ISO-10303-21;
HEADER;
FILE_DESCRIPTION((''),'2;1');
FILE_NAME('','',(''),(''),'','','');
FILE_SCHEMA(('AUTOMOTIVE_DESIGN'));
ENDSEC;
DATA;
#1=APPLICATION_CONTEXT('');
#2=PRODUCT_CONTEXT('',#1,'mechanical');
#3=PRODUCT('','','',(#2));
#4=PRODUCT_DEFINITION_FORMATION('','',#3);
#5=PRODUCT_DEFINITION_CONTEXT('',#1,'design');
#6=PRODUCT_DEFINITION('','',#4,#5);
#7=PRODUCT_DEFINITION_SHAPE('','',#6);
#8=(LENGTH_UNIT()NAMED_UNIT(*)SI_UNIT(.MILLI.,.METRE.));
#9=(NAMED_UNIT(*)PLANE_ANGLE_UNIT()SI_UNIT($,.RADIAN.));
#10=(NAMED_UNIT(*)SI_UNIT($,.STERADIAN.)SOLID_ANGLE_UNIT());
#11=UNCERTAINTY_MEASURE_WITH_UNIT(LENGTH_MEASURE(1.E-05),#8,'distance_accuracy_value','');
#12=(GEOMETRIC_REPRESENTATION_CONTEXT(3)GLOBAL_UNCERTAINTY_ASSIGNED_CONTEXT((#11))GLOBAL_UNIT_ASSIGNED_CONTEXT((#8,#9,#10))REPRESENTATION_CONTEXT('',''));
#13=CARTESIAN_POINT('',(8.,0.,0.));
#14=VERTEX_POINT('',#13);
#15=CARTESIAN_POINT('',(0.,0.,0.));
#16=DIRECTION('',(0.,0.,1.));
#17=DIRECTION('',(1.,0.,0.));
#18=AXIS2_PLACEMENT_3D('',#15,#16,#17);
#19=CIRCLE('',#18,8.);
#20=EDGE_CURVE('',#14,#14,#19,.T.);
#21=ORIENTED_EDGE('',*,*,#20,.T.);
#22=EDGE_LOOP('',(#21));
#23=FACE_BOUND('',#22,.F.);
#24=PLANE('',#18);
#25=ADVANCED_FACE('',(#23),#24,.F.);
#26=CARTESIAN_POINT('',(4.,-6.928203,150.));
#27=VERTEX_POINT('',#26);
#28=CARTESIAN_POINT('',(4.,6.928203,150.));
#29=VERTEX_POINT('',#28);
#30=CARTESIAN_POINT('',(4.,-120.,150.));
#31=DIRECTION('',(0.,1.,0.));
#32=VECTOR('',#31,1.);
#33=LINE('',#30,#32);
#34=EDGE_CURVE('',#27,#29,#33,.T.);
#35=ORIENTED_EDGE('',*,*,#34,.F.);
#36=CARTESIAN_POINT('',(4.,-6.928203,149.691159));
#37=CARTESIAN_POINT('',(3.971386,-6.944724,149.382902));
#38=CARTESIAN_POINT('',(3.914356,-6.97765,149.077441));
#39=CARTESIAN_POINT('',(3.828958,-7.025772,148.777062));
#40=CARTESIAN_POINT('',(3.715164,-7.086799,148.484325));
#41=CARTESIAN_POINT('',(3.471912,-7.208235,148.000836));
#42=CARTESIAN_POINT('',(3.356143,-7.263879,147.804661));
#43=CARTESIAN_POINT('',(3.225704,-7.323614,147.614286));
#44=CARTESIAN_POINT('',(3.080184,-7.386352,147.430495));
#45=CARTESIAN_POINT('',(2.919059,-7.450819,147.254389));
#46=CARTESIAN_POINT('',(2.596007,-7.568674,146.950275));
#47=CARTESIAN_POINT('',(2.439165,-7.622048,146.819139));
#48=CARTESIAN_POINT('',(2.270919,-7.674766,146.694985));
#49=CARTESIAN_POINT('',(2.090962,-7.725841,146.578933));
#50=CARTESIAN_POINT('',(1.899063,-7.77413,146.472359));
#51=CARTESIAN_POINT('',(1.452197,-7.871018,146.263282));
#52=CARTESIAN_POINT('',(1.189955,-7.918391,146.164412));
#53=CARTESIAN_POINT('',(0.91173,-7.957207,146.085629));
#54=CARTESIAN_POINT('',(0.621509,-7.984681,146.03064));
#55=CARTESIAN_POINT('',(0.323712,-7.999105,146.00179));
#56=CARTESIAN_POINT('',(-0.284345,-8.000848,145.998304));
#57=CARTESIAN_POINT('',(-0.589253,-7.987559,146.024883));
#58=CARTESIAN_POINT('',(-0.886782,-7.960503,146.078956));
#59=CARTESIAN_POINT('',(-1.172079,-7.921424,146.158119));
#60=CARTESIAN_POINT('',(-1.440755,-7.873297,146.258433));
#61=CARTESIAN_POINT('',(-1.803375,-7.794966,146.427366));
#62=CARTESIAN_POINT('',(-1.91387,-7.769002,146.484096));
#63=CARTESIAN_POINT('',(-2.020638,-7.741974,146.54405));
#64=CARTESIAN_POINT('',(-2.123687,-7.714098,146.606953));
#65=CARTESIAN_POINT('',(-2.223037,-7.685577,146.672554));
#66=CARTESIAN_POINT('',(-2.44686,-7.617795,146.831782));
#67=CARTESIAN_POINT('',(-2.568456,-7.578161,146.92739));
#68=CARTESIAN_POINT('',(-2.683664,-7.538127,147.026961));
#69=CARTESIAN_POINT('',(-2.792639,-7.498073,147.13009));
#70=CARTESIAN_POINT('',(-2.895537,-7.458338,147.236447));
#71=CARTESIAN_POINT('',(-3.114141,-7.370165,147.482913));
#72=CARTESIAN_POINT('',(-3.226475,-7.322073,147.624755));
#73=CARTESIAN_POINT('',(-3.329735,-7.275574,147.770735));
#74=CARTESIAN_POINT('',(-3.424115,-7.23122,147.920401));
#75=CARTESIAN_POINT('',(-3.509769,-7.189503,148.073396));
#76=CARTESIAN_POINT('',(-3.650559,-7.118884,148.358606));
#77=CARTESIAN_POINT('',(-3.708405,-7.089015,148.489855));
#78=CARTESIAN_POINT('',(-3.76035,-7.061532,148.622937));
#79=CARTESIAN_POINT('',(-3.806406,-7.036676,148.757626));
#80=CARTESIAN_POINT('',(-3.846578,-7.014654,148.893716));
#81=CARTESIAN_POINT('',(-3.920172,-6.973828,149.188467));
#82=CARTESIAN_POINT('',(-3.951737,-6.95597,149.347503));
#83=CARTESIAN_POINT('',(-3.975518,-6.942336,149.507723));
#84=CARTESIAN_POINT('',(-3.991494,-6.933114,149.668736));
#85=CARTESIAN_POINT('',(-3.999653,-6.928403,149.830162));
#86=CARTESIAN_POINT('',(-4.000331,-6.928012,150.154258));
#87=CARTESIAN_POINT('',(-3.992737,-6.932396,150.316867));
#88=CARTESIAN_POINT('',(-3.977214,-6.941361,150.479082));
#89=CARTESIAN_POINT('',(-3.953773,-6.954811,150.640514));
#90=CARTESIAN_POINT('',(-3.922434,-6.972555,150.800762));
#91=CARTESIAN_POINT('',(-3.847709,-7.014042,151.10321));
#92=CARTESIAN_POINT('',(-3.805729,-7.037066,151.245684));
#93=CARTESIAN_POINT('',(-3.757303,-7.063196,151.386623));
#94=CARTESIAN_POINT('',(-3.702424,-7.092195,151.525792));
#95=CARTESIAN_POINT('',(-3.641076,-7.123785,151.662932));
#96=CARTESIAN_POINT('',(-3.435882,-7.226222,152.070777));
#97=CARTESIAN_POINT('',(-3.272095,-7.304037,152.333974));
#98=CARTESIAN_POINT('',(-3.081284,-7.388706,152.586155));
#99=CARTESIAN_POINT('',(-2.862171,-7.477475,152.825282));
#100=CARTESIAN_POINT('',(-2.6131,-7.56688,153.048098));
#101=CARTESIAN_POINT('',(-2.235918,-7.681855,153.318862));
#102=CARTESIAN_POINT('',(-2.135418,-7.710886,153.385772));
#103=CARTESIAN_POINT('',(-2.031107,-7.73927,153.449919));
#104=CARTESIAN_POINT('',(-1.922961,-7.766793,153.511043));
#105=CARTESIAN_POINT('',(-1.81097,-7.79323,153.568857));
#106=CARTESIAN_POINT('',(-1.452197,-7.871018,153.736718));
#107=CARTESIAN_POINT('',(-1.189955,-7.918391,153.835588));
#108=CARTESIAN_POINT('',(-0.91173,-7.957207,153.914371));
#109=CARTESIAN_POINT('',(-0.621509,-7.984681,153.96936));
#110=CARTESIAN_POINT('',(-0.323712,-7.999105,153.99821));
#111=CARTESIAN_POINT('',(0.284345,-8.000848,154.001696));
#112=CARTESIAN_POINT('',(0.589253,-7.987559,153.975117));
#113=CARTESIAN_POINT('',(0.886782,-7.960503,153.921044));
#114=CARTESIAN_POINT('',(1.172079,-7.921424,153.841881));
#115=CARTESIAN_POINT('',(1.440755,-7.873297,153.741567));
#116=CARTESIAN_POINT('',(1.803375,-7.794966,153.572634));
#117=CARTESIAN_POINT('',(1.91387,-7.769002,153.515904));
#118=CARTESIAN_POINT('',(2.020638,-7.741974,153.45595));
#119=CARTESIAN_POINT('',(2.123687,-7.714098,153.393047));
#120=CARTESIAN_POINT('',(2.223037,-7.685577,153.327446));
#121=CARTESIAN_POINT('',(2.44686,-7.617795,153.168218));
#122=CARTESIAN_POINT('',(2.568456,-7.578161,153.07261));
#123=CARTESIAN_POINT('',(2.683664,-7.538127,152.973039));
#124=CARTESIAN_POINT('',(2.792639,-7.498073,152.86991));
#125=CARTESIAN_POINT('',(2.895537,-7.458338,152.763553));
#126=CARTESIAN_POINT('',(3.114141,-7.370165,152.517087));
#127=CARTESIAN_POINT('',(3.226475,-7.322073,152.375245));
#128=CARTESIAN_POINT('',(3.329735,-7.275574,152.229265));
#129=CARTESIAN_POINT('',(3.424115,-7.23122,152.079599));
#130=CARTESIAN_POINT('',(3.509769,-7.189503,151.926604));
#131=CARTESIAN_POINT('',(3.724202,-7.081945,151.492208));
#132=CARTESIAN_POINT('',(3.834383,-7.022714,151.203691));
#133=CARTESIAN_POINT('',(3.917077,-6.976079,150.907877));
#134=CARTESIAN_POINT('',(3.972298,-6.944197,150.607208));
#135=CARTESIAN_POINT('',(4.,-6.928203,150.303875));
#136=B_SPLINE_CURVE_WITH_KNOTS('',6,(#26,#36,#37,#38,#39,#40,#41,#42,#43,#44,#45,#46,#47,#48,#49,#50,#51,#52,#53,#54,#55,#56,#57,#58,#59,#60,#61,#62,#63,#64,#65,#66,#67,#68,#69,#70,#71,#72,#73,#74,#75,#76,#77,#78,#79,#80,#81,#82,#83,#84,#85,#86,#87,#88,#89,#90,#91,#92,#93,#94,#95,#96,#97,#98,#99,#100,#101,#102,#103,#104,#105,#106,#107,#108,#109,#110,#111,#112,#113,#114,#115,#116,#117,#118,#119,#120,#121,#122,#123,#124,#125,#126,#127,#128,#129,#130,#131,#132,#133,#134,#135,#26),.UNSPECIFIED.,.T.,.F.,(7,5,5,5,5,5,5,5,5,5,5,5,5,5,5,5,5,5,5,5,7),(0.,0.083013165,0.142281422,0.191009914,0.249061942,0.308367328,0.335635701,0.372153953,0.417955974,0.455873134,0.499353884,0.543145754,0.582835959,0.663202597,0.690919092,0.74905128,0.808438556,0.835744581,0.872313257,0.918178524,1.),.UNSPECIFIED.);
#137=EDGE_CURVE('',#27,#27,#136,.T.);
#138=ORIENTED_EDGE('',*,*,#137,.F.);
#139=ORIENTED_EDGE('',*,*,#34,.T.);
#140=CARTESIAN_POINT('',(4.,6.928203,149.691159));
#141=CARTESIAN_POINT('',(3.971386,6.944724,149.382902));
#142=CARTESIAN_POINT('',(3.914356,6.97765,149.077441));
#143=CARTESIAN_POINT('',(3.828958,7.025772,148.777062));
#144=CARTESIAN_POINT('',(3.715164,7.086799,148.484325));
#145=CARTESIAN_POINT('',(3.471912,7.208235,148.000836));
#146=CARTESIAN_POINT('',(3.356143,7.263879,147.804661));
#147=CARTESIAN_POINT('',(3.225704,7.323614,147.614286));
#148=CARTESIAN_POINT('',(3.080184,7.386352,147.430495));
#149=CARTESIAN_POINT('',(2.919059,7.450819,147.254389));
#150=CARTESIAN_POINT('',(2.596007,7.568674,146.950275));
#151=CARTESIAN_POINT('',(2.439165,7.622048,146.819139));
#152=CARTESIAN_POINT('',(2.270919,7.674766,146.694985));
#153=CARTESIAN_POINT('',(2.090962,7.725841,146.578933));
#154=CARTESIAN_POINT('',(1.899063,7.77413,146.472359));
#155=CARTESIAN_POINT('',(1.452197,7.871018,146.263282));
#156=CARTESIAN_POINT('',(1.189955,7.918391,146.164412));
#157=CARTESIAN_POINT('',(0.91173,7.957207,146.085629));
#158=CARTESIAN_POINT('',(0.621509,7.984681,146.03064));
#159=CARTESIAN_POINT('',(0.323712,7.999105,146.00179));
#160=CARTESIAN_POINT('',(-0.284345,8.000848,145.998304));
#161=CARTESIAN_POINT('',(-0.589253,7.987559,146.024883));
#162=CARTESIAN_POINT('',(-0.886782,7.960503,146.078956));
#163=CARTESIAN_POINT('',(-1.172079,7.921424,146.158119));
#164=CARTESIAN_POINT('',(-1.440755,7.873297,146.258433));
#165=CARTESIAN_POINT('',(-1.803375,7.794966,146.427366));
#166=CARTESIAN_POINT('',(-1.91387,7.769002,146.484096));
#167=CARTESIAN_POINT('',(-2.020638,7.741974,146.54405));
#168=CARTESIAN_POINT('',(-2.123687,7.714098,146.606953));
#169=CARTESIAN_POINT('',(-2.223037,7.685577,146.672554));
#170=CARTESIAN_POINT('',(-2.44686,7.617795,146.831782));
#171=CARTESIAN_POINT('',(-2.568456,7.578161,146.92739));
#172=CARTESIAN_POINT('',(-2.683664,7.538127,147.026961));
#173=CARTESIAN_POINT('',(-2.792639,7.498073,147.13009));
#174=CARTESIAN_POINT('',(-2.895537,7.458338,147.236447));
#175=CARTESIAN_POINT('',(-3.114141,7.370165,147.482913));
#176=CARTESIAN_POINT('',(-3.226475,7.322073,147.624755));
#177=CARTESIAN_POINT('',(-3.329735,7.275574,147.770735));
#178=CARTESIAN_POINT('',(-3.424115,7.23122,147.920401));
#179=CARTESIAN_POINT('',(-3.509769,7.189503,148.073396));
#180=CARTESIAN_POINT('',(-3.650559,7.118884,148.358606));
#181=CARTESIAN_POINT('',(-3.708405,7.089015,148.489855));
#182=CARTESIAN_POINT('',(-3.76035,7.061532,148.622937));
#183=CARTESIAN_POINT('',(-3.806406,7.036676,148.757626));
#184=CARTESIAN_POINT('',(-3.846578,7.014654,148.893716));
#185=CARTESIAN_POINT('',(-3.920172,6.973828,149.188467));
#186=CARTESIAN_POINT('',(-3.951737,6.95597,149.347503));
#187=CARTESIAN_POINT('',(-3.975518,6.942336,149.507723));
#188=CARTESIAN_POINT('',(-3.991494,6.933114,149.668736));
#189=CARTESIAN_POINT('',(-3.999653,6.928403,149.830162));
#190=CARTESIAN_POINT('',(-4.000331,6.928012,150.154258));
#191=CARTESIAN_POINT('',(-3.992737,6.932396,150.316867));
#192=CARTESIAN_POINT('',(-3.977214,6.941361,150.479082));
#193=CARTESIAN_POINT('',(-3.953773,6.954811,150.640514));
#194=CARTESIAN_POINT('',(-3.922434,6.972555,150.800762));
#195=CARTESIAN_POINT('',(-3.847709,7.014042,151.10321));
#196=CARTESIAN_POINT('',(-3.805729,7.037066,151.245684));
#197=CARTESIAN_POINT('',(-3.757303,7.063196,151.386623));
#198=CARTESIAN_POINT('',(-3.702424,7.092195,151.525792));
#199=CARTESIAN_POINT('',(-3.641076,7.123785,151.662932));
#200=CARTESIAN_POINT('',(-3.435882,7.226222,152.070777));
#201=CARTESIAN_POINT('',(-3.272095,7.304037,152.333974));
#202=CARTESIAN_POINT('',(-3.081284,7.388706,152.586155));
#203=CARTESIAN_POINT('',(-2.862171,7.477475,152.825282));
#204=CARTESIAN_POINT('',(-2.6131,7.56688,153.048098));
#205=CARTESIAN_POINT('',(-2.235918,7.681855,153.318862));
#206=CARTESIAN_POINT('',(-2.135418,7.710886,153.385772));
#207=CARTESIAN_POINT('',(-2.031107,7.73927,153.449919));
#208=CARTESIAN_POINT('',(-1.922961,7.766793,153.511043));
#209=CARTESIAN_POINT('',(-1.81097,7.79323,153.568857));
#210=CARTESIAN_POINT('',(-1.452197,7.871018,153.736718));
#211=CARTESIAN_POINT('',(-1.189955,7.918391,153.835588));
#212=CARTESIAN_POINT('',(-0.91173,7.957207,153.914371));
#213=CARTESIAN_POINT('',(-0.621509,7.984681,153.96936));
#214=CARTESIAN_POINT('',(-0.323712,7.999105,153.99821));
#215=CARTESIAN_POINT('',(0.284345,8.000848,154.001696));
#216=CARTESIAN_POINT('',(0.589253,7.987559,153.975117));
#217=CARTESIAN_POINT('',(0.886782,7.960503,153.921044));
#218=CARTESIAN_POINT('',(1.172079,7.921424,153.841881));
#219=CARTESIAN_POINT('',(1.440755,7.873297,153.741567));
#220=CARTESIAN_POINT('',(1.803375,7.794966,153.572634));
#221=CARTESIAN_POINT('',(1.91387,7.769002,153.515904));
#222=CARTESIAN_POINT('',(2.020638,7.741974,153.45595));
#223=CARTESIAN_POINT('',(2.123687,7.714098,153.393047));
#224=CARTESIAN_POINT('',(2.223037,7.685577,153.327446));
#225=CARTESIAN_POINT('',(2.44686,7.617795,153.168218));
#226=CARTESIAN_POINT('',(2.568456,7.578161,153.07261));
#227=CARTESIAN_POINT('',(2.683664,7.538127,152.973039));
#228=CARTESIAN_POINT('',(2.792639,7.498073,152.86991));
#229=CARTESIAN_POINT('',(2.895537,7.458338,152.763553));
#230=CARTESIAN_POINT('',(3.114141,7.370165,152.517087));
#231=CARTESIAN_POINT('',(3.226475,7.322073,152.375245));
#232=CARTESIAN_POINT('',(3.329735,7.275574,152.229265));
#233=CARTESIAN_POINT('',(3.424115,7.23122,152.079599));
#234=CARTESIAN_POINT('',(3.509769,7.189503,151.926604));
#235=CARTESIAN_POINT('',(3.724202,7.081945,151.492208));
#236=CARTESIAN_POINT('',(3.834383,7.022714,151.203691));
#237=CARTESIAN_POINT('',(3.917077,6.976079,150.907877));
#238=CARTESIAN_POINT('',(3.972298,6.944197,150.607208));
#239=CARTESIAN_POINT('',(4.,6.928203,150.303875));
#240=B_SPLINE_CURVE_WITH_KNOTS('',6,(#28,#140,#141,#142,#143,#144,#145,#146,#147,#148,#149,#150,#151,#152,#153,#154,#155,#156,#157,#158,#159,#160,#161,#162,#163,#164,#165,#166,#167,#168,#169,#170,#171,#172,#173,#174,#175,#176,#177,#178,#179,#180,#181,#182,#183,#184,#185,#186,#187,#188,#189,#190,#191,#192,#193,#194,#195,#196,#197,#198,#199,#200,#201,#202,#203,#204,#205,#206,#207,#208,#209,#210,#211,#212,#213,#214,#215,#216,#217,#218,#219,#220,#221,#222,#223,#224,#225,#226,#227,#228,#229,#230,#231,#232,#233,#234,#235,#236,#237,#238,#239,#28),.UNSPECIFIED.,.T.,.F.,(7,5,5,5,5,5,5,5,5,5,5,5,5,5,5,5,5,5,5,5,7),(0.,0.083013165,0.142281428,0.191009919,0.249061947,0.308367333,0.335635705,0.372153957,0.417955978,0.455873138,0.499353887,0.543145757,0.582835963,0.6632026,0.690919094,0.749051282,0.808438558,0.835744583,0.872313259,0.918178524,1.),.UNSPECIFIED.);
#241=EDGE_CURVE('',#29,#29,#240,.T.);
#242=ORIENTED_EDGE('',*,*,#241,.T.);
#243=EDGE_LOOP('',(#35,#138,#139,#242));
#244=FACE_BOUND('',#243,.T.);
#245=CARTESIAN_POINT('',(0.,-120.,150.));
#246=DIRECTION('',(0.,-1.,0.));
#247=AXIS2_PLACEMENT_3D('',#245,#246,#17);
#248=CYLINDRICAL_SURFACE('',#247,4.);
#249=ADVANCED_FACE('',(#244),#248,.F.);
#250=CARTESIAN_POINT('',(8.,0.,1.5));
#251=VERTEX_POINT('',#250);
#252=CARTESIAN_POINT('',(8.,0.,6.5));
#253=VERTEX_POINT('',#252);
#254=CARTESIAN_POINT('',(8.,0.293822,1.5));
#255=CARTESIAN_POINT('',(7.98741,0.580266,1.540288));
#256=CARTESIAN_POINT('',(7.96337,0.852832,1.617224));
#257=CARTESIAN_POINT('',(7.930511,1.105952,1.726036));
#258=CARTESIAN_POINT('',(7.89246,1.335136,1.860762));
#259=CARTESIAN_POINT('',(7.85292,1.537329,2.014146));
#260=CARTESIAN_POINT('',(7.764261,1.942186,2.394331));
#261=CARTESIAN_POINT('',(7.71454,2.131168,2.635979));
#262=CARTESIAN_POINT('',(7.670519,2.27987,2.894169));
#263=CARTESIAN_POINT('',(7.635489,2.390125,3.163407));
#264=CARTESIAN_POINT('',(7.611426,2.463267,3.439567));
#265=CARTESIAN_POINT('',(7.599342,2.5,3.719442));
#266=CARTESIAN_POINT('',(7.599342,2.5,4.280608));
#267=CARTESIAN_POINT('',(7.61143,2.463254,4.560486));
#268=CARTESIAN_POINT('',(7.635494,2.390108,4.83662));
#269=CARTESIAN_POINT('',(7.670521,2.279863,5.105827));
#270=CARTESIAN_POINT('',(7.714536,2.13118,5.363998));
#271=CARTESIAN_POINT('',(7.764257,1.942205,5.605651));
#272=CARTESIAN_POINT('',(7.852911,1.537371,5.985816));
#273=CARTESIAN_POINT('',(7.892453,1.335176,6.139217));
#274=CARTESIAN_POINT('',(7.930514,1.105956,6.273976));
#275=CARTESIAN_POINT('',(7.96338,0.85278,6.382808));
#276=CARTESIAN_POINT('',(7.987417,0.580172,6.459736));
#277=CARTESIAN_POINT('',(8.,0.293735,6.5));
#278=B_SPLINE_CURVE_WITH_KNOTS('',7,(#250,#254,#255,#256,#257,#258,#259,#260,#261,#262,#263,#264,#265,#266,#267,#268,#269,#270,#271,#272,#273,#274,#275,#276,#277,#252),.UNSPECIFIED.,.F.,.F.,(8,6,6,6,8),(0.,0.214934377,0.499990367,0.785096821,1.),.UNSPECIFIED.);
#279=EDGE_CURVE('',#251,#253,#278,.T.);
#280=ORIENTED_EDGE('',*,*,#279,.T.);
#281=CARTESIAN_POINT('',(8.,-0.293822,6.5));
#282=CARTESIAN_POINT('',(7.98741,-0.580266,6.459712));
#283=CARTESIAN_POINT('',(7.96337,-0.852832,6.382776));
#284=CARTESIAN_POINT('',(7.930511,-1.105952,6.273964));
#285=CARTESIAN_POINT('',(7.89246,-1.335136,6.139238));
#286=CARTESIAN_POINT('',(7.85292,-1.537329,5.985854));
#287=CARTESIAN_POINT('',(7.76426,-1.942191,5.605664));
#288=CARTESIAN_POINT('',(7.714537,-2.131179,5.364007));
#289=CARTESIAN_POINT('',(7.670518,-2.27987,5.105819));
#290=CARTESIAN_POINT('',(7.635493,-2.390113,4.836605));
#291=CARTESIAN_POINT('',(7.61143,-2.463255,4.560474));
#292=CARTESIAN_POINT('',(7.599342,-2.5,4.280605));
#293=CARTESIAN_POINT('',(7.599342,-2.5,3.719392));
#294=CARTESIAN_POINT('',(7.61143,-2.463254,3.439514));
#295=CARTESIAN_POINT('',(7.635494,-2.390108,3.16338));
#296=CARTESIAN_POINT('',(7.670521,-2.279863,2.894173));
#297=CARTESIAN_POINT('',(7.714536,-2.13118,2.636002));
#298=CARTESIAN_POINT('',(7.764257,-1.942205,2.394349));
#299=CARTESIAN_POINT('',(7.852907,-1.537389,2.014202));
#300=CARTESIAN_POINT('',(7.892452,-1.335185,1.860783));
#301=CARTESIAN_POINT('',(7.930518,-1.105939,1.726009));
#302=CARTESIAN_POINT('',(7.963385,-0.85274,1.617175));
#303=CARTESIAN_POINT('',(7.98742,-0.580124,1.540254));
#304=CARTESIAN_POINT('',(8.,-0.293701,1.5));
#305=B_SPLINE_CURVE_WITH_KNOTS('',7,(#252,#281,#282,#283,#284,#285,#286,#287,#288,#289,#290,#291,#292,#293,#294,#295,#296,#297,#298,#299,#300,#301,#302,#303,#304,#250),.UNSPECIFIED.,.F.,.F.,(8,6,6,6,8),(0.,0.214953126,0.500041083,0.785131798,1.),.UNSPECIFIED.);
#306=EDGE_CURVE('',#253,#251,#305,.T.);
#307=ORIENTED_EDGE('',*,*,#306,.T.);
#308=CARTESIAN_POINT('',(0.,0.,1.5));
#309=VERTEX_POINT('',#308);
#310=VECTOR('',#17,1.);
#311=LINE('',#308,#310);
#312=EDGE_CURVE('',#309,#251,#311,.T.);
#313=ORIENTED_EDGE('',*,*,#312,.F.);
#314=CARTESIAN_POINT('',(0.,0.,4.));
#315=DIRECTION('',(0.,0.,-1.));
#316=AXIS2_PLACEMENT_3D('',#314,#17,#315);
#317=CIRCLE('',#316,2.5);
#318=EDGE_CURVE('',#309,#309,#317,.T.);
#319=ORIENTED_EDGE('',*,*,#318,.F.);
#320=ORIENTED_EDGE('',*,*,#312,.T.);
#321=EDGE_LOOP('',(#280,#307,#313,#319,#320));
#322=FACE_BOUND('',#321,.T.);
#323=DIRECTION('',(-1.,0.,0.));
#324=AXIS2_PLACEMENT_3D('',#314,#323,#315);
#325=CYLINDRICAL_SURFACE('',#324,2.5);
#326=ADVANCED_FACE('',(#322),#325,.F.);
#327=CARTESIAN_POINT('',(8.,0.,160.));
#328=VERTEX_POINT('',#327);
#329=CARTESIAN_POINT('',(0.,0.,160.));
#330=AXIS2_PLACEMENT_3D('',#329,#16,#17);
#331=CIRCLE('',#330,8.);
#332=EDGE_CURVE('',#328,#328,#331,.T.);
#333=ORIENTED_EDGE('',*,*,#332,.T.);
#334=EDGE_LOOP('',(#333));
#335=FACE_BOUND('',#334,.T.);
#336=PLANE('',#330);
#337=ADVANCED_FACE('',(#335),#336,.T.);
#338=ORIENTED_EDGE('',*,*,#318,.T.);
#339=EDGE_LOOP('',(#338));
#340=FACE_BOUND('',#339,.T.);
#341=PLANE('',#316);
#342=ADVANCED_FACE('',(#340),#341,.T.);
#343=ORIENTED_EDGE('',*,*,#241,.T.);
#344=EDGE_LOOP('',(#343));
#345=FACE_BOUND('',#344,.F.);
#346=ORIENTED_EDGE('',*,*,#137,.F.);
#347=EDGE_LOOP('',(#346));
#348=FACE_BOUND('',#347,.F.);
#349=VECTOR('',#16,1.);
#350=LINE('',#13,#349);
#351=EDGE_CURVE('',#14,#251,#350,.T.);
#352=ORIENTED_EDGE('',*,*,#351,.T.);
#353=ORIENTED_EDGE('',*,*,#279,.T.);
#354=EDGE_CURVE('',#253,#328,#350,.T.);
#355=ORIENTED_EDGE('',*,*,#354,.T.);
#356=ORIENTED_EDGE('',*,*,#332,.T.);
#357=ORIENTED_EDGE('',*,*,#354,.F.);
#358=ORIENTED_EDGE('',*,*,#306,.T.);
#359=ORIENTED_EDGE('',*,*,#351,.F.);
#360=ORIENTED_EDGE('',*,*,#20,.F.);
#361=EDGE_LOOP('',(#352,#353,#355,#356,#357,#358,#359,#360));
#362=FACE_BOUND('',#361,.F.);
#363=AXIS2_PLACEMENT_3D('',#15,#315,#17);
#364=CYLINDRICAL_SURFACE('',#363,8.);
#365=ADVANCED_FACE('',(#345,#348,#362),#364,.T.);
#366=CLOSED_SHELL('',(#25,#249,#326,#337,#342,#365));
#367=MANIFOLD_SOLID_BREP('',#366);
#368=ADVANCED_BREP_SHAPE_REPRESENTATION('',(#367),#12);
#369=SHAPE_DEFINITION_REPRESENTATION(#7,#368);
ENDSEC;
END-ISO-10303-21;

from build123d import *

# Parameters (mm, degrees)
SKETCH_1_R               = 8
EXTRUDE_1_DEPTH          = 160
CUT_EXTRUDE_1_DEPTH      = 120
CUT_EXTRUDE_1_DEPTH_BACK = 120
SKETCH_2_R               = 4
SKETCH_3_R               = 2.5
CUT_EXTRUDE_2_DEPTH      = 10


with BuildPart() as part:
    # 草图1 → 凸台-拉伸1 (new body)
    with BuildSketch(Plane.XY):
        Circle(SKETCH_1_R)
    extrude(amount=EXTRUDE_1_DEPTH)

    # 草图2 → 切除-拉伸1 (cut, two sides: drawn at the far end of the back side and taken through both)
    with BuildSketch(Plane(origin=(0, 0, 0), x_dir=(1, 0, 0), z_dir=(0, 1, 0)).offset(-CUT_EXTRUDE_1_DEPTH_BACK)):
        with Locations((0, -150)):
            Circle(SKETCH_2_R)
    extrude(amount=CUT_EXTRUDE_1_DEPTH + CUT_EXTRUDE_1_DEPTH_BACK, mode=Mode.SUBTRACT)

    # 草图3 → 切除-拉伸2 (cut)
    with BuildSketch(Plane(origin=(0, 0, 0), x_dir=(0, 0, -1), z_dir=(1, 0, 0))):
        with Locations((-4, 0)):
            Circle(SKETCH_3_R)
    extrude(amount=CUT_EXTRUDE_2_DEPTH, mode=Mode.SUBTRACT)


solid = part.part
